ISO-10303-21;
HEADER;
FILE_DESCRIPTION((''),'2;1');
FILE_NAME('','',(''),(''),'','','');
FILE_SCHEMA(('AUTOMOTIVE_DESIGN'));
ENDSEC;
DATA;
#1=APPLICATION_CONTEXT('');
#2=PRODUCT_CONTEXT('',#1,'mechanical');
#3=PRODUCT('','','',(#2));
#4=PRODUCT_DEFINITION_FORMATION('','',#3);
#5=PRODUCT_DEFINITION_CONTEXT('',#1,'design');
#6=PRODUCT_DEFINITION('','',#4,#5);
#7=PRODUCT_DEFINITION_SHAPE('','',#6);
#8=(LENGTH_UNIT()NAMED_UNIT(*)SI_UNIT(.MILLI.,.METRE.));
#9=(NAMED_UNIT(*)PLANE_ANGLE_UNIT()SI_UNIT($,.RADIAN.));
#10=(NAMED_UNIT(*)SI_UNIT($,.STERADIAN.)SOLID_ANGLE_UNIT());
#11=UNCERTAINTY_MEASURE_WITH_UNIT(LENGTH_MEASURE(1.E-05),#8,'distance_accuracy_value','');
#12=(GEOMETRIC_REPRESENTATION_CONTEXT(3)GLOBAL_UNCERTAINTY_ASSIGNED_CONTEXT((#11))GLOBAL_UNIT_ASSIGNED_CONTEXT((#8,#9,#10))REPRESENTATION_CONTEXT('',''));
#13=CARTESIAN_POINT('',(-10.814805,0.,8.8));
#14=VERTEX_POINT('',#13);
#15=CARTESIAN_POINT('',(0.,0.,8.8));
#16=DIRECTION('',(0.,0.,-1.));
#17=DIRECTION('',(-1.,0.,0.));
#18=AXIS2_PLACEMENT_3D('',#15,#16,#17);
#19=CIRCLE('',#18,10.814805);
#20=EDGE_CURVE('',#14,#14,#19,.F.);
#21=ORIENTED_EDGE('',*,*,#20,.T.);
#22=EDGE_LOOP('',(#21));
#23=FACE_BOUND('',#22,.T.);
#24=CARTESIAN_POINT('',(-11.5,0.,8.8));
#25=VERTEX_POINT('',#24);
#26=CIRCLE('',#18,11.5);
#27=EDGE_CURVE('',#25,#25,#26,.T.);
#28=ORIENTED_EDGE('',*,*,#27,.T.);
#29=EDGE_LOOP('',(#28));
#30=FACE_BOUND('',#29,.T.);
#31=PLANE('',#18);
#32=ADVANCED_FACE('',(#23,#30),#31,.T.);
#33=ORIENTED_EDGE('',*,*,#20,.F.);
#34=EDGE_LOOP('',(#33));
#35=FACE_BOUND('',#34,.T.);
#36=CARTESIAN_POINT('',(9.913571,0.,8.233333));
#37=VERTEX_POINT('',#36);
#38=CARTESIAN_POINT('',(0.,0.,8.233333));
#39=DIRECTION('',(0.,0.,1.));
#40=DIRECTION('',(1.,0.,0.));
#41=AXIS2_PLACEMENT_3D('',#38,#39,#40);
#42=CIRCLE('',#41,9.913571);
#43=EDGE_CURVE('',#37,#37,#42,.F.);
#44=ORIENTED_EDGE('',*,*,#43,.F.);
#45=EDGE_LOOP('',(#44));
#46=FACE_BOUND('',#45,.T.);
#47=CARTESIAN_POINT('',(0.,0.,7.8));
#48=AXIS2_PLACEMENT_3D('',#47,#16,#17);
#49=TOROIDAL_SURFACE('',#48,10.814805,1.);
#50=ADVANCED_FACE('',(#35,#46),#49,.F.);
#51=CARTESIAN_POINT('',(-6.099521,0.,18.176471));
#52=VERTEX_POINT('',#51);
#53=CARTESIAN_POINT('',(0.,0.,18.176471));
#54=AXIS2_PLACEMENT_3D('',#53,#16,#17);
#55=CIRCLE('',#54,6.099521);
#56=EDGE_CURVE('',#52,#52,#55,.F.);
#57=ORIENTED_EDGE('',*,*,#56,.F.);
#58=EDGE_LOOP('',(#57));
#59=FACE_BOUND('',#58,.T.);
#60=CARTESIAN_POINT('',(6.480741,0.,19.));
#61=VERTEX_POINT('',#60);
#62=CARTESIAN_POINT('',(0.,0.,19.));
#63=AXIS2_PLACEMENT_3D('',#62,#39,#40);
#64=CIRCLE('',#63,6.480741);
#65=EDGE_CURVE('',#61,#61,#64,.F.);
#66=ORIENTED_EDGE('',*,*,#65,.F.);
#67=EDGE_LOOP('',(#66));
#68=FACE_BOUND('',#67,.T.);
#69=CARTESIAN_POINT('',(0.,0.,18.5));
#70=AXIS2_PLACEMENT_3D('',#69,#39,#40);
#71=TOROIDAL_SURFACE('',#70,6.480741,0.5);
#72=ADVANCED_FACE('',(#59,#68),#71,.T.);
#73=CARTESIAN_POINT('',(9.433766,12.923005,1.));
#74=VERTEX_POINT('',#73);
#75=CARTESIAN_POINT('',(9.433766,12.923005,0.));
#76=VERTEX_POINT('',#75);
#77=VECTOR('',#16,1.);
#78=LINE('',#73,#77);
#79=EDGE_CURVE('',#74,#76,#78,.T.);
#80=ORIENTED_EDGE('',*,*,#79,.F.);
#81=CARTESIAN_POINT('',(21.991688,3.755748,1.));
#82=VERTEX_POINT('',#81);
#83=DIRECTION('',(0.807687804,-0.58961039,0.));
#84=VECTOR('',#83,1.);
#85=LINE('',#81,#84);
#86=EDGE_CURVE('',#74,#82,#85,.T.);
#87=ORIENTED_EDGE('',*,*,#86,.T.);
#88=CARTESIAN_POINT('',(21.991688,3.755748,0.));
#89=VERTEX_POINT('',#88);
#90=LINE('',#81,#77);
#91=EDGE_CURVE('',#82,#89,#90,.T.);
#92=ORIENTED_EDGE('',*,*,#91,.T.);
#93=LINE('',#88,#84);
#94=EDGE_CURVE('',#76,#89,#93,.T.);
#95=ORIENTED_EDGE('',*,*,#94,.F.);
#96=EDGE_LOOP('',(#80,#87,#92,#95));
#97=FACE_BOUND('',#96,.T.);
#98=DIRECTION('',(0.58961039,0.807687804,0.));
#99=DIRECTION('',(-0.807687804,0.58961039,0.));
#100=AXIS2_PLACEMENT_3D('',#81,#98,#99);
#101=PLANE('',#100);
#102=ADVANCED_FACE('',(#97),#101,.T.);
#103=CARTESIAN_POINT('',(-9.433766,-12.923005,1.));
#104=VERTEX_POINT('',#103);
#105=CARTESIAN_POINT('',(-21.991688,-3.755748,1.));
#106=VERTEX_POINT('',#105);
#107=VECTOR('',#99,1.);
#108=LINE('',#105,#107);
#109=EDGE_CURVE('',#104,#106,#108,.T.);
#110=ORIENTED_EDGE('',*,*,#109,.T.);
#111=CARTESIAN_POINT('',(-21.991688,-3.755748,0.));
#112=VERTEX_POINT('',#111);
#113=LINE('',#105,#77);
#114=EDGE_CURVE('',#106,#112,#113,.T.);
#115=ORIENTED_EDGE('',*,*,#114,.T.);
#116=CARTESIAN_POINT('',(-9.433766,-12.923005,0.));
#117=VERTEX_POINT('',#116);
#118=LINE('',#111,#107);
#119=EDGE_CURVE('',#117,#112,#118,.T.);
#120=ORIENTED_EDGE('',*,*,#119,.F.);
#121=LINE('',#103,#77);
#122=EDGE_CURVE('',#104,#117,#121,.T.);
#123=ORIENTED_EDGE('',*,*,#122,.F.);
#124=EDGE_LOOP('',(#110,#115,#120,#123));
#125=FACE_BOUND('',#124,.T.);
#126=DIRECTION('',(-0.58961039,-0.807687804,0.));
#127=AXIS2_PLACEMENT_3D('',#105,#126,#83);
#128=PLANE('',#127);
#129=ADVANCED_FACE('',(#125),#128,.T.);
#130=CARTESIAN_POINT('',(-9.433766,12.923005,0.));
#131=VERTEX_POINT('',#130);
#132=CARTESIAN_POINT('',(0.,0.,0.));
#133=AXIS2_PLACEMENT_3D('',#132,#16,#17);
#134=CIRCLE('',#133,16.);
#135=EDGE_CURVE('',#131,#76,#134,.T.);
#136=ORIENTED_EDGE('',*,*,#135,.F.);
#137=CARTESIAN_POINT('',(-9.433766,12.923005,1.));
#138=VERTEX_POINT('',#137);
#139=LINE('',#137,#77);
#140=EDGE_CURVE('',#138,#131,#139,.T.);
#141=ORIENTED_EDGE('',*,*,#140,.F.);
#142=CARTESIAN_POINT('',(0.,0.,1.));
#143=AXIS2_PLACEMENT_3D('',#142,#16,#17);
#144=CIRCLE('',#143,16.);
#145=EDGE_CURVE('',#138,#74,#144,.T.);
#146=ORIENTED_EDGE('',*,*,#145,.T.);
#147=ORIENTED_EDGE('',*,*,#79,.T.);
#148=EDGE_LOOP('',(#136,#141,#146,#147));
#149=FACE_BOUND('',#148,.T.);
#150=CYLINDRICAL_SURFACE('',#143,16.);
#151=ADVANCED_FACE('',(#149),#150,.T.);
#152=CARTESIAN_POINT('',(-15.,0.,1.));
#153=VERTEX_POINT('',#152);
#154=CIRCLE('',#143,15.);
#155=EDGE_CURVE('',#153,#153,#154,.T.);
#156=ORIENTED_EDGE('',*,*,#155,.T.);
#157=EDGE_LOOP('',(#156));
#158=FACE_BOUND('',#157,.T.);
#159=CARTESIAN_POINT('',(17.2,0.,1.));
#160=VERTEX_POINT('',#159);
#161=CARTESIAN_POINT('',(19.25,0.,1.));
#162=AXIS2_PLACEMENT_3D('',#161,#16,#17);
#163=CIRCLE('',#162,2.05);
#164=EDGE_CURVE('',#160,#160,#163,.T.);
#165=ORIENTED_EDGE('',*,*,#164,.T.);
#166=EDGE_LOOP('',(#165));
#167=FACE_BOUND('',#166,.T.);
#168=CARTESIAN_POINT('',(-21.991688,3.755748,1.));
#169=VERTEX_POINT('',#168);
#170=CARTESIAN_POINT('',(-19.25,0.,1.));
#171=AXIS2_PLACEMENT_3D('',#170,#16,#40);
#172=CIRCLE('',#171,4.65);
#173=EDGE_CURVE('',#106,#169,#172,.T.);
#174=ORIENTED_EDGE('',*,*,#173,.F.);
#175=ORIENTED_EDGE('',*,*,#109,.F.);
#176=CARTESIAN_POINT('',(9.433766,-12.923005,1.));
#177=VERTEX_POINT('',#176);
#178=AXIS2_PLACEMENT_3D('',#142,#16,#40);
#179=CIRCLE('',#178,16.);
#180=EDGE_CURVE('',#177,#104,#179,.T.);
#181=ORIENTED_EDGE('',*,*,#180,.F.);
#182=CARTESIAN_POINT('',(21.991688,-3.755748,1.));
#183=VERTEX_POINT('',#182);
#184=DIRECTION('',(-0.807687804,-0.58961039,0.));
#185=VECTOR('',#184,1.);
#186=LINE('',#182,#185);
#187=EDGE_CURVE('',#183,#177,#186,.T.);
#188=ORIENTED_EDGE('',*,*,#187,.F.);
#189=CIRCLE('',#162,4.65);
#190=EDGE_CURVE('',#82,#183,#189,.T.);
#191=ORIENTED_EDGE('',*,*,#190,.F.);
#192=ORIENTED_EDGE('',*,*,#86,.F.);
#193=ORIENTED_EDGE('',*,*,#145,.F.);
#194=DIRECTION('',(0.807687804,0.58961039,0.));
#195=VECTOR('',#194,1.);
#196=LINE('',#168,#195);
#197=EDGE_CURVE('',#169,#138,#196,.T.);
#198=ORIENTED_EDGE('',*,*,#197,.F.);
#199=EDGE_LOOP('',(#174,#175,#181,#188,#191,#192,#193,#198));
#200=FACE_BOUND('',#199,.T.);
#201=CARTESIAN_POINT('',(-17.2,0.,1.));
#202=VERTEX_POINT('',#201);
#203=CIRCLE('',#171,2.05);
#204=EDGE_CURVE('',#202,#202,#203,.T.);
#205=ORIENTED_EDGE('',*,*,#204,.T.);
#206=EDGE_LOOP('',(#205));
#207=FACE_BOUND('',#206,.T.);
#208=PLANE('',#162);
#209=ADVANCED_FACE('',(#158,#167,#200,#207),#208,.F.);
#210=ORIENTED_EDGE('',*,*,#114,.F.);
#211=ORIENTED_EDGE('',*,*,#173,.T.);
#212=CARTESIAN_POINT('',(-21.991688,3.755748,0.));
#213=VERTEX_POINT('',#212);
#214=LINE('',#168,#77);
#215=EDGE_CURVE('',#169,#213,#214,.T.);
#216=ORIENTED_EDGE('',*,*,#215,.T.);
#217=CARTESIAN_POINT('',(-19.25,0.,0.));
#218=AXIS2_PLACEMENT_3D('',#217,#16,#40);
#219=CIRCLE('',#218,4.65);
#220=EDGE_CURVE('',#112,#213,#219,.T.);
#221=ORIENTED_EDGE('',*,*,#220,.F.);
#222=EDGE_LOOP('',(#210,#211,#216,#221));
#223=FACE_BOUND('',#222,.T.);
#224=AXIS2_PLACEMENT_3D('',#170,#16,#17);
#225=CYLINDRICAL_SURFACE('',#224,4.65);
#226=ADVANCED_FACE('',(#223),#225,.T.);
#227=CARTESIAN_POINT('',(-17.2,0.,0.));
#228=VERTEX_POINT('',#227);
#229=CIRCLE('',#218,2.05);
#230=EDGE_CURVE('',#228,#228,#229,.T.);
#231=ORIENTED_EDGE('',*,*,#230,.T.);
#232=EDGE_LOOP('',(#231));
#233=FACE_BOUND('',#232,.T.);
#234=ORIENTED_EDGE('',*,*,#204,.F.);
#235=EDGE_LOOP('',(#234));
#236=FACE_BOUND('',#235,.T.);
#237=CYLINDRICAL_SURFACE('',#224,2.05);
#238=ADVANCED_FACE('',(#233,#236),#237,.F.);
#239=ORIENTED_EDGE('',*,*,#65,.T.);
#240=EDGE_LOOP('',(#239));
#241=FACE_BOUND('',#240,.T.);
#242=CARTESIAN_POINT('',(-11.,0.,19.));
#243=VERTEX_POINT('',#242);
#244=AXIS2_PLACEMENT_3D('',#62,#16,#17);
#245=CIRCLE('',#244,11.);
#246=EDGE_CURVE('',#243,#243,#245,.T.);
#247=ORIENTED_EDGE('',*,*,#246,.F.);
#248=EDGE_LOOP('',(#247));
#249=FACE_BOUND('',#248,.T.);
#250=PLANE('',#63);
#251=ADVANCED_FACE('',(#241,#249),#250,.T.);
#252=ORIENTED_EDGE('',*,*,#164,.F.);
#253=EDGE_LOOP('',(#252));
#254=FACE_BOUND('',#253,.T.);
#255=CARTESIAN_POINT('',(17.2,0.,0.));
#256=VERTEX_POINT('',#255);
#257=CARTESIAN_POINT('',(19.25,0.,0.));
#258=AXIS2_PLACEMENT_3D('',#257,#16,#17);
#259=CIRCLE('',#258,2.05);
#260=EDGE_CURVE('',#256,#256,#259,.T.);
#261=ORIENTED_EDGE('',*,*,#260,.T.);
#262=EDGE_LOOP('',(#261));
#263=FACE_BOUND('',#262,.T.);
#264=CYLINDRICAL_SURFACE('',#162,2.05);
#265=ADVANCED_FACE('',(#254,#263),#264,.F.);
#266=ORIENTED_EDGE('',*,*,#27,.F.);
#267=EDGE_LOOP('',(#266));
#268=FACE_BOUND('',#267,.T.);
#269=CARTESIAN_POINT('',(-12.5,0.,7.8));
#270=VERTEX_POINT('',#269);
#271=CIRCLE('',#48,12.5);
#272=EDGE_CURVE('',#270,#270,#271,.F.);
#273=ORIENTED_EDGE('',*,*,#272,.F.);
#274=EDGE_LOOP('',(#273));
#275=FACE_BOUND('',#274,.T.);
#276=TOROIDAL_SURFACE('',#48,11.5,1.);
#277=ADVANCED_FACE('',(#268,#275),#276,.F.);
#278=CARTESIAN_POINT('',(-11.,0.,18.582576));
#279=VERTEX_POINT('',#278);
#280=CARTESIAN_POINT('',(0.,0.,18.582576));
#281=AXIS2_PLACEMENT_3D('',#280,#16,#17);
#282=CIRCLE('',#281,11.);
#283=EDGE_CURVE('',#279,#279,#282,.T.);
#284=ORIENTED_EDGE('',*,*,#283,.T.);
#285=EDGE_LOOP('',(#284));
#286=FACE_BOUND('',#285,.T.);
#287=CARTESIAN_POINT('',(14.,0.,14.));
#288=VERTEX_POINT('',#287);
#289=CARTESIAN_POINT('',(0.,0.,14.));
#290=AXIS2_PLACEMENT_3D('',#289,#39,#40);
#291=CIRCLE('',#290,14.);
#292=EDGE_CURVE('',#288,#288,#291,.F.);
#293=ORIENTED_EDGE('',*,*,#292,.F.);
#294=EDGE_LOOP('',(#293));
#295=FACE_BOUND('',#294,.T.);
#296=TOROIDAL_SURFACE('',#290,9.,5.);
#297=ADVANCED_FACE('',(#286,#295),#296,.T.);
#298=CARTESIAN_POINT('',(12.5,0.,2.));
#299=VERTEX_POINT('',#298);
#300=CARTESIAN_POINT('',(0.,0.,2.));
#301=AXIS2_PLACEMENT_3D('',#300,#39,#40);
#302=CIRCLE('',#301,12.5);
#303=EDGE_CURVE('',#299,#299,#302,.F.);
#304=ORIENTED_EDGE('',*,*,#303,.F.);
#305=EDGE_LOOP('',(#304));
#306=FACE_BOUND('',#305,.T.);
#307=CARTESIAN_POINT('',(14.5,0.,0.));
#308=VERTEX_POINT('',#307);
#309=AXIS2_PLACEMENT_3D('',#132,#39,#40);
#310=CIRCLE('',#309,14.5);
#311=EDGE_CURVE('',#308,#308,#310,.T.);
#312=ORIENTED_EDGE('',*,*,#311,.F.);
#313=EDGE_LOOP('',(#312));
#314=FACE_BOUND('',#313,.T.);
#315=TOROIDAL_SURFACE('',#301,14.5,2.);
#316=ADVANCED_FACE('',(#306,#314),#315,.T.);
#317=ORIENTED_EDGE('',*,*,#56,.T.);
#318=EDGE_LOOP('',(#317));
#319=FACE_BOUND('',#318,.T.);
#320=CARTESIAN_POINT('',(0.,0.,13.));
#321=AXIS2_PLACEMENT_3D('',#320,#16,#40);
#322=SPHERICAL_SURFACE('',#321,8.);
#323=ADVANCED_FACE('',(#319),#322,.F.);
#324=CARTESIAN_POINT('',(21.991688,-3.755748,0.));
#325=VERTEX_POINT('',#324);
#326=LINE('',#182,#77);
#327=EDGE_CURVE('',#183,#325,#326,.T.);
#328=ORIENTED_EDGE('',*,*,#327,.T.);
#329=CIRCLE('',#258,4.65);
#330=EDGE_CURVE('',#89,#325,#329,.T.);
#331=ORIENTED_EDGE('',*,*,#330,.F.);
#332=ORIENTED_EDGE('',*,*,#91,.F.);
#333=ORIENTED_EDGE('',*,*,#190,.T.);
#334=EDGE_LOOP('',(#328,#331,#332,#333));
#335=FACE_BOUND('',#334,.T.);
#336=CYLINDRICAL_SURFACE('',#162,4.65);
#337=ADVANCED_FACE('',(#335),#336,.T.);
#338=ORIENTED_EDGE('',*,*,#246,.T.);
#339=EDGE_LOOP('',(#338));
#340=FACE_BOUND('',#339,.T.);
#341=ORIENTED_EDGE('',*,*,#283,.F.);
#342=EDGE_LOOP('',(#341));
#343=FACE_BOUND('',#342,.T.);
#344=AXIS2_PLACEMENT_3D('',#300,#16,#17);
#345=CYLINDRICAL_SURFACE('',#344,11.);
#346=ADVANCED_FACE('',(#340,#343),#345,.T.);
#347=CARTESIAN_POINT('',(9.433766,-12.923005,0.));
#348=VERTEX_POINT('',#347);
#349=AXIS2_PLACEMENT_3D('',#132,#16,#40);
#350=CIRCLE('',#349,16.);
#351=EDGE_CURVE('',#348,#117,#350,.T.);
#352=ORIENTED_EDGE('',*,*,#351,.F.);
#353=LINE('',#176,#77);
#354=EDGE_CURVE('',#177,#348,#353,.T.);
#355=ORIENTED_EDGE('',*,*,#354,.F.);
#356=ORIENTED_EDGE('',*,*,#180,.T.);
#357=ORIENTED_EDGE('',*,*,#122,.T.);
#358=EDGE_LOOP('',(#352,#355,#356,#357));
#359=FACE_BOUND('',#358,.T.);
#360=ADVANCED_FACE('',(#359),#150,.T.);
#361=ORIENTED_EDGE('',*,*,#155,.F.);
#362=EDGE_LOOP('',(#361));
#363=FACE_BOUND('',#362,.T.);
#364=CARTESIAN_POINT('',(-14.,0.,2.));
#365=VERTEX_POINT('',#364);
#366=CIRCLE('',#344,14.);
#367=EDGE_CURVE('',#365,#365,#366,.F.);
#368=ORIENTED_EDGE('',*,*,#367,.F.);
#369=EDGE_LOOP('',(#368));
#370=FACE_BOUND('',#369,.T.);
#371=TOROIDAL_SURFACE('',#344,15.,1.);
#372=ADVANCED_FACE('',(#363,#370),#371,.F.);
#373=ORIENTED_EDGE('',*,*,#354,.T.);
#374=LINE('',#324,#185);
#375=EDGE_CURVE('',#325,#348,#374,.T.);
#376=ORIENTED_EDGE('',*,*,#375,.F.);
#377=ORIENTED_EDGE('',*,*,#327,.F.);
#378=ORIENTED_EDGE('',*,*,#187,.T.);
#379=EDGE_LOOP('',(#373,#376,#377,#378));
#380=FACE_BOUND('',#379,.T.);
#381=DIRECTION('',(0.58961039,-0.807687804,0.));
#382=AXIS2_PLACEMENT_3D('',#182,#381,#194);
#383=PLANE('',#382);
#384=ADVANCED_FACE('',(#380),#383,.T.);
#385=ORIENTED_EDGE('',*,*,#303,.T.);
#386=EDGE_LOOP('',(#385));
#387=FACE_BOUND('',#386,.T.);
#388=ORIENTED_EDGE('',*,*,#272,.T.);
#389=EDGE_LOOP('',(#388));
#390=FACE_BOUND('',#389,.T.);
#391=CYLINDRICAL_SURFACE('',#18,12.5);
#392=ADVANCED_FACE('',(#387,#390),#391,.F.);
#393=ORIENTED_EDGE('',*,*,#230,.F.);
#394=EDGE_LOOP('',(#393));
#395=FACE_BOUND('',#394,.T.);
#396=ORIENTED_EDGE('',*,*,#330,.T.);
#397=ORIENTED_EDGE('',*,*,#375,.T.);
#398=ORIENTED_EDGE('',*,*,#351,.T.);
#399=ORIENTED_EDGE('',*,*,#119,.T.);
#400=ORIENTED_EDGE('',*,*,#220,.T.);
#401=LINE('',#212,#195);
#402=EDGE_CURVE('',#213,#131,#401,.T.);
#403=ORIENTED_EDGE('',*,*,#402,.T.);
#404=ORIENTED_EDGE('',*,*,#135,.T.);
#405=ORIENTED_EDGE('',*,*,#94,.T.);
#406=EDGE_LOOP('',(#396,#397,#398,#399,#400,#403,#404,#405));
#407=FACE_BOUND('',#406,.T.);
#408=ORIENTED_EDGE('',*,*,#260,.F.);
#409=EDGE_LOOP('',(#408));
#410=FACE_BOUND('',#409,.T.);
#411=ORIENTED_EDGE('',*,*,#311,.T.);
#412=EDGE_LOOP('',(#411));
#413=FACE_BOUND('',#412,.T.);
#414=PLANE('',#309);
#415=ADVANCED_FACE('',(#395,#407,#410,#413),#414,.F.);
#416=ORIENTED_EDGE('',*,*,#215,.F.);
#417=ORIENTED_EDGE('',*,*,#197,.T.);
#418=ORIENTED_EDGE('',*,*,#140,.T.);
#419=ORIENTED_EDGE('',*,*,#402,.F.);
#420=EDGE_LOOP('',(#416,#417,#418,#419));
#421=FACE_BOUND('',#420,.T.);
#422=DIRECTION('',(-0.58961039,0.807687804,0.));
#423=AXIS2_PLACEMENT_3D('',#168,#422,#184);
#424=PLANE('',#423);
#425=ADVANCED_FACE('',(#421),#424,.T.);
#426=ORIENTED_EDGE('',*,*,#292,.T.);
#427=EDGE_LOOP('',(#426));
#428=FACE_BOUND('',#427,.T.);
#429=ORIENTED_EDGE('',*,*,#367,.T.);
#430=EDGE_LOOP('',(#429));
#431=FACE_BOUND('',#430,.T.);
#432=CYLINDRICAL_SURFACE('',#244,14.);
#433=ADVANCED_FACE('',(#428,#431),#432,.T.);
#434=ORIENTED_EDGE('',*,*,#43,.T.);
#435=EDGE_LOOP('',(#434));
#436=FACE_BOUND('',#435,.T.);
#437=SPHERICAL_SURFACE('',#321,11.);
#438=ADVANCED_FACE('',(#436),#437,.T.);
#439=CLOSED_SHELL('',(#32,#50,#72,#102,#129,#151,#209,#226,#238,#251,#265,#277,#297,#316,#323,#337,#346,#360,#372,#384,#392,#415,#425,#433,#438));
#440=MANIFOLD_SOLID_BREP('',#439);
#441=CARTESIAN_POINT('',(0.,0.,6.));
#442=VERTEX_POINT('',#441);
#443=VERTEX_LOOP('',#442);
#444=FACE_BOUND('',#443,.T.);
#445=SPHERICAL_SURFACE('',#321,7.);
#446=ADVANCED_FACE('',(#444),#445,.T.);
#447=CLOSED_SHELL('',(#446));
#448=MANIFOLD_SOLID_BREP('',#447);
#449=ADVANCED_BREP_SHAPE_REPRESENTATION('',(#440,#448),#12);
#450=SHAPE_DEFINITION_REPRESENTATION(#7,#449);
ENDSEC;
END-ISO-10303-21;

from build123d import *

# Parameters (mm, degrees)
SKETCH1_R           = 14
SKETCH1_R_2         = 8
BOSS_EXTRUDE1_DEPTH = 19
SKETCH2_R           = 2.05
SKETCH2_R_2         = 12.5
BOSS_EXTRUDE2_DEPTH = 1
FILLET1_R           = 1
FILLET2_R           = 5
SKETCH8_R           = 12.5
CUT_EXTRUDE2_DEPTH  = 8.8
FILLET3_R           = 0.5
FILLET4_R           = 1
FILLET5_R           = 2


with BuildPart() as part:
    # Sketch1 → Boss-Extrude1 (new body)
    with BuildSketch(Plane.XY):
        Circle(SKETCH1_R)
        Circle(SKETCH1_R_2, mode=Mode.SUBTRACT)
    extrude(amount=BOSS_EXTRUDE1_DEPTH)

    # Sketch2 → Boss-Extrude2 (add)
    with BuildSketch(Plane(origin=(0, 0, 0), x_dir=(-1, 0, 0), z_dir=(0, 0, -1))):
        with BuildLine():
            Line((21.991688312, 3.755748288), (9.433766234, 12.923004861))
            ThreePointArc((9.433766234, 12.923004861), (0, 16), (-9.433766234, 12.923004861))
            Line((-9.433766234, 12.923004861), (-21.991688312, 3.755748288))
            ThreePointArc((-21.991688312, 3.755748288), (-23.9, 0), (-21.991688312, -3.755748288))
            Line((-21.991688312, -3.755748288), (-9.433766234, -12.923004861))
            ThreePointArc((-9.433766234, -12.923004861), (0, -16), (9.433766234, -12.923004861))
            Line((9.433766234, -12.923004861), (21.991688312, -3.755748288))
            ThreePointArc((21.991688312, -3.755748288), (23.9, 0), (21.991688312, 3.755748288))
        make_face()
        with Locations((-19.25, 0)):
            Circle(SKETCH2_R, mode=Mode.SUBTRACT)
        Circle(SKETCH2_R_2, mode=Mode.SUBTRACT)
        with Locations(Location((19.25, 0, 0), (0, 0, 180))):
            Circle(SKETCH2_R, mode=Mode.SUBTRACT)
    extrude(amount=-BOSS_EXTRUDE2_DEPTH)

    # Fillet1
    fillet1_edges = [part.edges().sort_by_distance(p)[0] for p in [
        (-14, 0, 1),
    ]]
    fillet(fillet1_edges, radius=FILLET1_R)

    # Fillet2
    fillet2_edges = [part.edges().sort_by_distance(p)[0] for p in [
        (-14, 0, 19),
    ]]
    fillet(fillet2_edges, radius=FILLET2_R)

    # Sketch8 → Cut-Extrude2 (cut)
    with BuildSketch(Plane(origin=(0, 0, 0), x_dir=(-1, 0, 0), z_dir=(0, 0, -1))):
        Circle(SKETCH8_R)
    extrude(amount=-CUT_EXTRUDE2_DEPTH, mode=Mode.SUBTRACT)

    # Sketch7 → Revolve2 (revolve)
    with BuildSketch(Plane(origin=(0, 0, 0), x_dir=(1, 0, 0), z_dir=(0, 1, 0))):
        with BuildLine():
            Line((5.291502622, -19), (11, -19))
            Line((11, -19), (11, -13))
            ThreePointArc((11, -13), (7.778174593, -5.221825407), (0, -2))
            Line((0, -2), (0, -5))
            ThreePointArc((0, -5), (7.483314774, -10.171572875), (5.291502622, -19))
        make_face()
    revolve(axis=Axis((0, 0, 2), (0, 0, 1)))

    # Fillet3
    fillet3_edges = [part.edges().sort_by_distance(p)[0] for p in [
        (-5.291502622, 0, 19),
    ]]
    fillet(fillet3_edges, radius=FILLET3_R)

    # Fillet4
    fillet4_edges = [part.edges().sort_by_distance(p)[0] for p in [
        (12.5, 0, 8.8),
        (-10.166612022, 0, 8.8),
    ]]
    fillet(fillet4_edges, radius=FILLET4_R)

    # Fillet5
    fillet5_edges = [part.edges().sort_by_distance(p)[0] for p in [
        (12.5, 0, 0),
    ]]
    fillet(fillet5_edges, radius=FILLET5_R)


with BuildPart() as body_2:
    # Sketch6 → Revolve1 (revolve)
    with BuildSketch(Plane(origin=(0, 0, 0), x_dir=(1, 0, 0), z_dir=(0, 1, 0))):
        with BuildLine():
            Line((0, -6), (0, -20))
            ThreePointArc((0, -20), (7, -13), (0, -6))
        make_face()
    revolve(axis=Axis((0, 0, 6), (0, 0, 1)))


solid = Compound([part.part, body_2.part])
